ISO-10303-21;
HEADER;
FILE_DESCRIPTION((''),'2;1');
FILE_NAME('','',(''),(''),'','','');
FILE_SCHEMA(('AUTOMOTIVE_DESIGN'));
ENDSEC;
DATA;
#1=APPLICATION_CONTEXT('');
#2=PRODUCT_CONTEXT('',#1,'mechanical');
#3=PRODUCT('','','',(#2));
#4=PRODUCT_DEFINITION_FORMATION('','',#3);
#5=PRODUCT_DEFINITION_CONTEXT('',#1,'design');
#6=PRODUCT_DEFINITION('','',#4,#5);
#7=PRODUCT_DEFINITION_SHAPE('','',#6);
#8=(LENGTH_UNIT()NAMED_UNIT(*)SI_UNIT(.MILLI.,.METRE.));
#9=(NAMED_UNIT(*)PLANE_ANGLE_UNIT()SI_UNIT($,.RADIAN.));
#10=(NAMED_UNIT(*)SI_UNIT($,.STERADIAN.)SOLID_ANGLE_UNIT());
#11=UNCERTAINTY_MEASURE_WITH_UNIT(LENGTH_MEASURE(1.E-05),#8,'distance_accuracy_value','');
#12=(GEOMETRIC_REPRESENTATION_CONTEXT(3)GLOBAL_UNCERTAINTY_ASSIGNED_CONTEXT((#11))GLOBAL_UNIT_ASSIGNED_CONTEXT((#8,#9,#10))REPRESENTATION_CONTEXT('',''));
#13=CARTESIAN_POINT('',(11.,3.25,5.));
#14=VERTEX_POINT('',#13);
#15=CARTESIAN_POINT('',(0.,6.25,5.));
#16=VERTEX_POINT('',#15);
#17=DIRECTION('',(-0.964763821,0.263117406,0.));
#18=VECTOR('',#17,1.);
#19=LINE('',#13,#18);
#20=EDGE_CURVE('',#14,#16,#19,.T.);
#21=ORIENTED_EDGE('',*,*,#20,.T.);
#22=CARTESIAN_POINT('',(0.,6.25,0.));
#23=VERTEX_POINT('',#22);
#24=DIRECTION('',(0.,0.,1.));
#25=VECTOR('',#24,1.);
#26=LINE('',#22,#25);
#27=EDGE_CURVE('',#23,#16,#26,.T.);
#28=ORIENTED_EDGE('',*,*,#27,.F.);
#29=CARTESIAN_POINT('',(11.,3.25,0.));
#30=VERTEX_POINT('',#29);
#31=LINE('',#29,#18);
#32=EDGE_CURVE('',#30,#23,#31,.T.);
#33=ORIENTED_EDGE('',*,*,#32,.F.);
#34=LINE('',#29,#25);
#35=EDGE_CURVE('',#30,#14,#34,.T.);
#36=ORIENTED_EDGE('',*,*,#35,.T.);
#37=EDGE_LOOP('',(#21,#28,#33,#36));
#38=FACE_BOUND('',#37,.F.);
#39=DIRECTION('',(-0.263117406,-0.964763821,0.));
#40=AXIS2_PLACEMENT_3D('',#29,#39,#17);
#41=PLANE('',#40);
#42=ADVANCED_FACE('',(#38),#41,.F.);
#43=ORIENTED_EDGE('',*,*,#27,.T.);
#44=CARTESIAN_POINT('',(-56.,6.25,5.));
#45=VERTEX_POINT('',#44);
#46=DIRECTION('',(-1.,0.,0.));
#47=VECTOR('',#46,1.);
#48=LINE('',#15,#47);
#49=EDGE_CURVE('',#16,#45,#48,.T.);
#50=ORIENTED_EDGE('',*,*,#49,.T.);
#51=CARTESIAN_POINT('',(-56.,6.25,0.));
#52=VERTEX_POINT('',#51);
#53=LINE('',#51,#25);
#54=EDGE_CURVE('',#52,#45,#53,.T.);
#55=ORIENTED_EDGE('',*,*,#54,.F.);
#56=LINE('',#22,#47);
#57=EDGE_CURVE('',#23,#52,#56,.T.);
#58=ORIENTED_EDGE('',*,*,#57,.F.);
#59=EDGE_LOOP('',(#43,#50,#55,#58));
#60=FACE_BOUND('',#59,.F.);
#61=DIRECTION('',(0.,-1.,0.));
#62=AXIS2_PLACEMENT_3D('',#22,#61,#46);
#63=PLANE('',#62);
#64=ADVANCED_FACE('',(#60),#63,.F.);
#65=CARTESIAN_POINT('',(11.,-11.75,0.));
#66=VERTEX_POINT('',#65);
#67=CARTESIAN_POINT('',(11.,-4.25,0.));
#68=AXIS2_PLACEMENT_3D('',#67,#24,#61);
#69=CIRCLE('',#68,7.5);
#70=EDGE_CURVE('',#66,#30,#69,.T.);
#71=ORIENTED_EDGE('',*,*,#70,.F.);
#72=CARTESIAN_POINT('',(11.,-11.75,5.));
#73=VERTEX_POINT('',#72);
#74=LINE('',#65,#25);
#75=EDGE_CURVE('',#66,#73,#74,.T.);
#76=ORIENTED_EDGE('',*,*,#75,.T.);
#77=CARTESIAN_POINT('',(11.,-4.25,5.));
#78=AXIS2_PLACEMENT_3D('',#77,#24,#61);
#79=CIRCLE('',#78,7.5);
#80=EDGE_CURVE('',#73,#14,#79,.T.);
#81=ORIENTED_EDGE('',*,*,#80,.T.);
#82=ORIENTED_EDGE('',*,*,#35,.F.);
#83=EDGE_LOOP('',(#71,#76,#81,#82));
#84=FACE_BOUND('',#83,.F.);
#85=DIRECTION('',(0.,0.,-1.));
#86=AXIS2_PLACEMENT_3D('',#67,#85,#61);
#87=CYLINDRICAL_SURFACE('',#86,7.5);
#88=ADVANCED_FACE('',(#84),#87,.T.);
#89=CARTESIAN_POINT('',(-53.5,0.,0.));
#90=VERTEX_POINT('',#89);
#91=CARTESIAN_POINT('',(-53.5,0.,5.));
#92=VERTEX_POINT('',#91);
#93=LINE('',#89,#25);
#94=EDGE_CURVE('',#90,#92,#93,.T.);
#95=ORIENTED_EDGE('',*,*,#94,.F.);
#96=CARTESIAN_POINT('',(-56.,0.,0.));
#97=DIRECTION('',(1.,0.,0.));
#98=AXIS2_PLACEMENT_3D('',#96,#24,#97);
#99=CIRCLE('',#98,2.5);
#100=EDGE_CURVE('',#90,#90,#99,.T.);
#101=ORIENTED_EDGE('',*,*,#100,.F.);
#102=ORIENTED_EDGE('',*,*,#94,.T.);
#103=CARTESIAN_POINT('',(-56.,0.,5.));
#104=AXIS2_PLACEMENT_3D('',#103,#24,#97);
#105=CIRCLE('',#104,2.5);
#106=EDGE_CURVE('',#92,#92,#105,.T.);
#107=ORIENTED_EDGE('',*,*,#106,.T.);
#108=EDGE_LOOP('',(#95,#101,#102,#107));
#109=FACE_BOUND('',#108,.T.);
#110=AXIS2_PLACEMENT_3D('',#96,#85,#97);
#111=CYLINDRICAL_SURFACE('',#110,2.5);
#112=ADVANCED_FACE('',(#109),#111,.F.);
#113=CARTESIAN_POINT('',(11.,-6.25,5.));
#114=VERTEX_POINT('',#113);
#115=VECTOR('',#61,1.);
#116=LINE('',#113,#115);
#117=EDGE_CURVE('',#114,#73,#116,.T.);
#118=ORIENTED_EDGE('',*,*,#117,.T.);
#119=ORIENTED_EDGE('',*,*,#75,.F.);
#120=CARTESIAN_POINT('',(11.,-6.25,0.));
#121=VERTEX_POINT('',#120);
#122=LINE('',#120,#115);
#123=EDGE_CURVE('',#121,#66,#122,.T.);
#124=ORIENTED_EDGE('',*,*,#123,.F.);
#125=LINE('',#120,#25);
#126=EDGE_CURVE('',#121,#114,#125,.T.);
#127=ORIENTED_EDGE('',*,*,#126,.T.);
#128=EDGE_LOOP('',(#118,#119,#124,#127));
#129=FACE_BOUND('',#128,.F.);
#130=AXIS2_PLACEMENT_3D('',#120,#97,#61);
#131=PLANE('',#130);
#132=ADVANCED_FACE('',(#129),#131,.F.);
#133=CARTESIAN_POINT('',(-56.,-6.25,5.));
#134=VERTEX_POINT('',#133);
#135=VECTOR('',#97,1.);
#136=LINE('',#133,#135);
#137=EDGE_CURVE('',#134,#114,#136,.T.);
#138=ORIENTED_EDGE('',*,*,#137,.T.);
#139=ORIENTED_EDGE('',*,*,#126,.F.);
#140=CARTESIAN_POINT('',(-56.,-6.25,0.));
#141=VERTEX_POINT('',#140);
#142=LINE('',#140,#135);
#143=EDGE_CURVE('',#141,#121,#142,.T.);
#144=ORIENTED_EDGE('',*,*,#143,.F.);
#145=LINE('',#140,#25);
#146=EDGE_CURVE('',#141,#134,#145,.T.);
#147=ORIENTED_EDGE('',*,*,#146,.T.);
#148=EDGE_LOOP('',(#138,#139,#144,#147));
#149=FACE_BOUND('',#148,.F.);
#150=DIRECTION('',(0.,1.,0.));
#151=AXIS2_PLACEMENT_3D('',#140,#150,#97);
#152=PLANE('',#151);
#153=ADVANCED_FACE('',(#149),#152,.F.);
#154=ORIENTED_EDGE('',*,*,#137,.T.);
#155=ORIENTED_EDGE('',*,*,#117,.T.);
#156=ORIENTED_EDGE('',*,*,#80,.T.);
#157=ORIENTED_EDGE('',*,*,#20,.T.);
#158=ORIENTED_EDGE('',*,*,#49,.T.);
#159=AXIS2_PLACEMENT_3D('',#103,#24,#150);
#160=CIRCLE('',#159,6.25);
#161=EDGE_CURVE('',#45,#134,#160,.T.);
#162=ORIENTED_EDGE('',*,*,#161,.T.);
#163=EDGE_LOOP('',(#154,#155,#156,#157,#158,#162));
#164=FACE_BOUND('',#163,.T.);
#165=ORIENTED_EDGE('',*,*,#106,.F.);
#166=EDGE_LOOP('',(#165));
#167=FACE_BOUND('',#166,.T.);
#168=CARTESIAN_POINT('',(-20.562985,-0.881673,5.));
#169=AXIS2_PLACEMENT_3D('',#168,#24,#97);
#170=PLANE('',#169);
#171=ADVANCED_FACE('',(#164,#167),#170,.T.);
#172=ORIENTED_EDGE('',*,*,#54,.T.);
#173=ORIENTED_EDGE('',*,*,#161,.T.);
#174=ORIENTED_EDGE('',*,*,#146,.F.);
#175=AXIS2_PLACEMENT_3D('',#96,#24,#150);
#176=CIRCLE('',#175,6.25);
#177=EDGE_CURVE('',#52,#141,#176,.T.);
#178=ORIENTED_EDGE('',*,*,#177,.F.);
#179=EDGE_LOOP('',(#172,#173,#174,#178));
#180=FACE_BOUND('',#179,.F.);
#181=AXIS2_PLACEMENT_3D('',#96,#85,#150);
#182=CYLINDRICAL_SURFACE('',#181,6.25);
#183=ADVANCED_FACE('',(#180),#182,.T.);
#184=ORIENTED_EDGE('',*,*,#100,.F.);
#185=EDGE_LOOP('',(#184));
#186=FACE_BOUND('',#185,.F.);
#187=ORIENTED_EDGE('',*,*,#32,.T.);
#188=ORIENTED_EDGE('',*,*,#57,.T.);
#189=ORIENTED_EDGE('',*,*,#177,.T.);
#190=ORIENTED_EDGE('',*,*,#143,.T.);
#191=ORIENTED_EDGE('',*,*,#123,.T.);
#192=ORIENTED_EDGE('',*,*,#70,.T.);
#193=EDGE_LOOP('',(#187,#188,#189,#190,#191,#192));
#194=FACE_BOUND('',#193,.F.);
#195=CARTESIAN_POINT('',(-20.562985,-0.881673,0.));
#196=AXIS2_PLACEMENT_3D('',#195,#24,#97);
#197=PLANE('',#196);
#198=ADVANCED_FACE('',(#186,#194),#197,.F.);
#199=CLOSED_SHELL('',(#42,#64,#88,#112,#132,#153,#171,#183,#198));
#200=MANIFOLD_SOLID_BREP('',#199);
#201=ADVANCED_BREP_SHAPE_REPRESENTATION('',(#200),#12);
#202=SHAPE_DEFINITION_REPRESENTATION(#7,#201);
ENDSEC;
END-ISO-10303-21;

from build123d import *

# Parameters (mm, degrees)
F0_R     = 2.5
F1_DEPTH = 5


with BuildPart() as f1:
    # F0 (on Top) → F1 (new body)
    with BuildSketch(Plane.XY):
        with BuildLine():
            Line((11, 3.25), (0, 6.25))
            Line((0, 6.25), (-56, 6.25))
            ThreePointArc((-56, 6.25), (-62.25, 0), (-56, -6.25))
            Line((-56, -6.25), (11, -6.25))
            Line((11, -6.25), (11, -11.75))
            ThreePointArc((11, -11.75), (18.5, -4.25), (11, 3.25))
        make_face()
        with Locations((-56, 0)):
            Circle(F0_R, mode=Mode.SUBTRACT)
    extrude(amount=F1_DEPTH)


solid = f1.part
